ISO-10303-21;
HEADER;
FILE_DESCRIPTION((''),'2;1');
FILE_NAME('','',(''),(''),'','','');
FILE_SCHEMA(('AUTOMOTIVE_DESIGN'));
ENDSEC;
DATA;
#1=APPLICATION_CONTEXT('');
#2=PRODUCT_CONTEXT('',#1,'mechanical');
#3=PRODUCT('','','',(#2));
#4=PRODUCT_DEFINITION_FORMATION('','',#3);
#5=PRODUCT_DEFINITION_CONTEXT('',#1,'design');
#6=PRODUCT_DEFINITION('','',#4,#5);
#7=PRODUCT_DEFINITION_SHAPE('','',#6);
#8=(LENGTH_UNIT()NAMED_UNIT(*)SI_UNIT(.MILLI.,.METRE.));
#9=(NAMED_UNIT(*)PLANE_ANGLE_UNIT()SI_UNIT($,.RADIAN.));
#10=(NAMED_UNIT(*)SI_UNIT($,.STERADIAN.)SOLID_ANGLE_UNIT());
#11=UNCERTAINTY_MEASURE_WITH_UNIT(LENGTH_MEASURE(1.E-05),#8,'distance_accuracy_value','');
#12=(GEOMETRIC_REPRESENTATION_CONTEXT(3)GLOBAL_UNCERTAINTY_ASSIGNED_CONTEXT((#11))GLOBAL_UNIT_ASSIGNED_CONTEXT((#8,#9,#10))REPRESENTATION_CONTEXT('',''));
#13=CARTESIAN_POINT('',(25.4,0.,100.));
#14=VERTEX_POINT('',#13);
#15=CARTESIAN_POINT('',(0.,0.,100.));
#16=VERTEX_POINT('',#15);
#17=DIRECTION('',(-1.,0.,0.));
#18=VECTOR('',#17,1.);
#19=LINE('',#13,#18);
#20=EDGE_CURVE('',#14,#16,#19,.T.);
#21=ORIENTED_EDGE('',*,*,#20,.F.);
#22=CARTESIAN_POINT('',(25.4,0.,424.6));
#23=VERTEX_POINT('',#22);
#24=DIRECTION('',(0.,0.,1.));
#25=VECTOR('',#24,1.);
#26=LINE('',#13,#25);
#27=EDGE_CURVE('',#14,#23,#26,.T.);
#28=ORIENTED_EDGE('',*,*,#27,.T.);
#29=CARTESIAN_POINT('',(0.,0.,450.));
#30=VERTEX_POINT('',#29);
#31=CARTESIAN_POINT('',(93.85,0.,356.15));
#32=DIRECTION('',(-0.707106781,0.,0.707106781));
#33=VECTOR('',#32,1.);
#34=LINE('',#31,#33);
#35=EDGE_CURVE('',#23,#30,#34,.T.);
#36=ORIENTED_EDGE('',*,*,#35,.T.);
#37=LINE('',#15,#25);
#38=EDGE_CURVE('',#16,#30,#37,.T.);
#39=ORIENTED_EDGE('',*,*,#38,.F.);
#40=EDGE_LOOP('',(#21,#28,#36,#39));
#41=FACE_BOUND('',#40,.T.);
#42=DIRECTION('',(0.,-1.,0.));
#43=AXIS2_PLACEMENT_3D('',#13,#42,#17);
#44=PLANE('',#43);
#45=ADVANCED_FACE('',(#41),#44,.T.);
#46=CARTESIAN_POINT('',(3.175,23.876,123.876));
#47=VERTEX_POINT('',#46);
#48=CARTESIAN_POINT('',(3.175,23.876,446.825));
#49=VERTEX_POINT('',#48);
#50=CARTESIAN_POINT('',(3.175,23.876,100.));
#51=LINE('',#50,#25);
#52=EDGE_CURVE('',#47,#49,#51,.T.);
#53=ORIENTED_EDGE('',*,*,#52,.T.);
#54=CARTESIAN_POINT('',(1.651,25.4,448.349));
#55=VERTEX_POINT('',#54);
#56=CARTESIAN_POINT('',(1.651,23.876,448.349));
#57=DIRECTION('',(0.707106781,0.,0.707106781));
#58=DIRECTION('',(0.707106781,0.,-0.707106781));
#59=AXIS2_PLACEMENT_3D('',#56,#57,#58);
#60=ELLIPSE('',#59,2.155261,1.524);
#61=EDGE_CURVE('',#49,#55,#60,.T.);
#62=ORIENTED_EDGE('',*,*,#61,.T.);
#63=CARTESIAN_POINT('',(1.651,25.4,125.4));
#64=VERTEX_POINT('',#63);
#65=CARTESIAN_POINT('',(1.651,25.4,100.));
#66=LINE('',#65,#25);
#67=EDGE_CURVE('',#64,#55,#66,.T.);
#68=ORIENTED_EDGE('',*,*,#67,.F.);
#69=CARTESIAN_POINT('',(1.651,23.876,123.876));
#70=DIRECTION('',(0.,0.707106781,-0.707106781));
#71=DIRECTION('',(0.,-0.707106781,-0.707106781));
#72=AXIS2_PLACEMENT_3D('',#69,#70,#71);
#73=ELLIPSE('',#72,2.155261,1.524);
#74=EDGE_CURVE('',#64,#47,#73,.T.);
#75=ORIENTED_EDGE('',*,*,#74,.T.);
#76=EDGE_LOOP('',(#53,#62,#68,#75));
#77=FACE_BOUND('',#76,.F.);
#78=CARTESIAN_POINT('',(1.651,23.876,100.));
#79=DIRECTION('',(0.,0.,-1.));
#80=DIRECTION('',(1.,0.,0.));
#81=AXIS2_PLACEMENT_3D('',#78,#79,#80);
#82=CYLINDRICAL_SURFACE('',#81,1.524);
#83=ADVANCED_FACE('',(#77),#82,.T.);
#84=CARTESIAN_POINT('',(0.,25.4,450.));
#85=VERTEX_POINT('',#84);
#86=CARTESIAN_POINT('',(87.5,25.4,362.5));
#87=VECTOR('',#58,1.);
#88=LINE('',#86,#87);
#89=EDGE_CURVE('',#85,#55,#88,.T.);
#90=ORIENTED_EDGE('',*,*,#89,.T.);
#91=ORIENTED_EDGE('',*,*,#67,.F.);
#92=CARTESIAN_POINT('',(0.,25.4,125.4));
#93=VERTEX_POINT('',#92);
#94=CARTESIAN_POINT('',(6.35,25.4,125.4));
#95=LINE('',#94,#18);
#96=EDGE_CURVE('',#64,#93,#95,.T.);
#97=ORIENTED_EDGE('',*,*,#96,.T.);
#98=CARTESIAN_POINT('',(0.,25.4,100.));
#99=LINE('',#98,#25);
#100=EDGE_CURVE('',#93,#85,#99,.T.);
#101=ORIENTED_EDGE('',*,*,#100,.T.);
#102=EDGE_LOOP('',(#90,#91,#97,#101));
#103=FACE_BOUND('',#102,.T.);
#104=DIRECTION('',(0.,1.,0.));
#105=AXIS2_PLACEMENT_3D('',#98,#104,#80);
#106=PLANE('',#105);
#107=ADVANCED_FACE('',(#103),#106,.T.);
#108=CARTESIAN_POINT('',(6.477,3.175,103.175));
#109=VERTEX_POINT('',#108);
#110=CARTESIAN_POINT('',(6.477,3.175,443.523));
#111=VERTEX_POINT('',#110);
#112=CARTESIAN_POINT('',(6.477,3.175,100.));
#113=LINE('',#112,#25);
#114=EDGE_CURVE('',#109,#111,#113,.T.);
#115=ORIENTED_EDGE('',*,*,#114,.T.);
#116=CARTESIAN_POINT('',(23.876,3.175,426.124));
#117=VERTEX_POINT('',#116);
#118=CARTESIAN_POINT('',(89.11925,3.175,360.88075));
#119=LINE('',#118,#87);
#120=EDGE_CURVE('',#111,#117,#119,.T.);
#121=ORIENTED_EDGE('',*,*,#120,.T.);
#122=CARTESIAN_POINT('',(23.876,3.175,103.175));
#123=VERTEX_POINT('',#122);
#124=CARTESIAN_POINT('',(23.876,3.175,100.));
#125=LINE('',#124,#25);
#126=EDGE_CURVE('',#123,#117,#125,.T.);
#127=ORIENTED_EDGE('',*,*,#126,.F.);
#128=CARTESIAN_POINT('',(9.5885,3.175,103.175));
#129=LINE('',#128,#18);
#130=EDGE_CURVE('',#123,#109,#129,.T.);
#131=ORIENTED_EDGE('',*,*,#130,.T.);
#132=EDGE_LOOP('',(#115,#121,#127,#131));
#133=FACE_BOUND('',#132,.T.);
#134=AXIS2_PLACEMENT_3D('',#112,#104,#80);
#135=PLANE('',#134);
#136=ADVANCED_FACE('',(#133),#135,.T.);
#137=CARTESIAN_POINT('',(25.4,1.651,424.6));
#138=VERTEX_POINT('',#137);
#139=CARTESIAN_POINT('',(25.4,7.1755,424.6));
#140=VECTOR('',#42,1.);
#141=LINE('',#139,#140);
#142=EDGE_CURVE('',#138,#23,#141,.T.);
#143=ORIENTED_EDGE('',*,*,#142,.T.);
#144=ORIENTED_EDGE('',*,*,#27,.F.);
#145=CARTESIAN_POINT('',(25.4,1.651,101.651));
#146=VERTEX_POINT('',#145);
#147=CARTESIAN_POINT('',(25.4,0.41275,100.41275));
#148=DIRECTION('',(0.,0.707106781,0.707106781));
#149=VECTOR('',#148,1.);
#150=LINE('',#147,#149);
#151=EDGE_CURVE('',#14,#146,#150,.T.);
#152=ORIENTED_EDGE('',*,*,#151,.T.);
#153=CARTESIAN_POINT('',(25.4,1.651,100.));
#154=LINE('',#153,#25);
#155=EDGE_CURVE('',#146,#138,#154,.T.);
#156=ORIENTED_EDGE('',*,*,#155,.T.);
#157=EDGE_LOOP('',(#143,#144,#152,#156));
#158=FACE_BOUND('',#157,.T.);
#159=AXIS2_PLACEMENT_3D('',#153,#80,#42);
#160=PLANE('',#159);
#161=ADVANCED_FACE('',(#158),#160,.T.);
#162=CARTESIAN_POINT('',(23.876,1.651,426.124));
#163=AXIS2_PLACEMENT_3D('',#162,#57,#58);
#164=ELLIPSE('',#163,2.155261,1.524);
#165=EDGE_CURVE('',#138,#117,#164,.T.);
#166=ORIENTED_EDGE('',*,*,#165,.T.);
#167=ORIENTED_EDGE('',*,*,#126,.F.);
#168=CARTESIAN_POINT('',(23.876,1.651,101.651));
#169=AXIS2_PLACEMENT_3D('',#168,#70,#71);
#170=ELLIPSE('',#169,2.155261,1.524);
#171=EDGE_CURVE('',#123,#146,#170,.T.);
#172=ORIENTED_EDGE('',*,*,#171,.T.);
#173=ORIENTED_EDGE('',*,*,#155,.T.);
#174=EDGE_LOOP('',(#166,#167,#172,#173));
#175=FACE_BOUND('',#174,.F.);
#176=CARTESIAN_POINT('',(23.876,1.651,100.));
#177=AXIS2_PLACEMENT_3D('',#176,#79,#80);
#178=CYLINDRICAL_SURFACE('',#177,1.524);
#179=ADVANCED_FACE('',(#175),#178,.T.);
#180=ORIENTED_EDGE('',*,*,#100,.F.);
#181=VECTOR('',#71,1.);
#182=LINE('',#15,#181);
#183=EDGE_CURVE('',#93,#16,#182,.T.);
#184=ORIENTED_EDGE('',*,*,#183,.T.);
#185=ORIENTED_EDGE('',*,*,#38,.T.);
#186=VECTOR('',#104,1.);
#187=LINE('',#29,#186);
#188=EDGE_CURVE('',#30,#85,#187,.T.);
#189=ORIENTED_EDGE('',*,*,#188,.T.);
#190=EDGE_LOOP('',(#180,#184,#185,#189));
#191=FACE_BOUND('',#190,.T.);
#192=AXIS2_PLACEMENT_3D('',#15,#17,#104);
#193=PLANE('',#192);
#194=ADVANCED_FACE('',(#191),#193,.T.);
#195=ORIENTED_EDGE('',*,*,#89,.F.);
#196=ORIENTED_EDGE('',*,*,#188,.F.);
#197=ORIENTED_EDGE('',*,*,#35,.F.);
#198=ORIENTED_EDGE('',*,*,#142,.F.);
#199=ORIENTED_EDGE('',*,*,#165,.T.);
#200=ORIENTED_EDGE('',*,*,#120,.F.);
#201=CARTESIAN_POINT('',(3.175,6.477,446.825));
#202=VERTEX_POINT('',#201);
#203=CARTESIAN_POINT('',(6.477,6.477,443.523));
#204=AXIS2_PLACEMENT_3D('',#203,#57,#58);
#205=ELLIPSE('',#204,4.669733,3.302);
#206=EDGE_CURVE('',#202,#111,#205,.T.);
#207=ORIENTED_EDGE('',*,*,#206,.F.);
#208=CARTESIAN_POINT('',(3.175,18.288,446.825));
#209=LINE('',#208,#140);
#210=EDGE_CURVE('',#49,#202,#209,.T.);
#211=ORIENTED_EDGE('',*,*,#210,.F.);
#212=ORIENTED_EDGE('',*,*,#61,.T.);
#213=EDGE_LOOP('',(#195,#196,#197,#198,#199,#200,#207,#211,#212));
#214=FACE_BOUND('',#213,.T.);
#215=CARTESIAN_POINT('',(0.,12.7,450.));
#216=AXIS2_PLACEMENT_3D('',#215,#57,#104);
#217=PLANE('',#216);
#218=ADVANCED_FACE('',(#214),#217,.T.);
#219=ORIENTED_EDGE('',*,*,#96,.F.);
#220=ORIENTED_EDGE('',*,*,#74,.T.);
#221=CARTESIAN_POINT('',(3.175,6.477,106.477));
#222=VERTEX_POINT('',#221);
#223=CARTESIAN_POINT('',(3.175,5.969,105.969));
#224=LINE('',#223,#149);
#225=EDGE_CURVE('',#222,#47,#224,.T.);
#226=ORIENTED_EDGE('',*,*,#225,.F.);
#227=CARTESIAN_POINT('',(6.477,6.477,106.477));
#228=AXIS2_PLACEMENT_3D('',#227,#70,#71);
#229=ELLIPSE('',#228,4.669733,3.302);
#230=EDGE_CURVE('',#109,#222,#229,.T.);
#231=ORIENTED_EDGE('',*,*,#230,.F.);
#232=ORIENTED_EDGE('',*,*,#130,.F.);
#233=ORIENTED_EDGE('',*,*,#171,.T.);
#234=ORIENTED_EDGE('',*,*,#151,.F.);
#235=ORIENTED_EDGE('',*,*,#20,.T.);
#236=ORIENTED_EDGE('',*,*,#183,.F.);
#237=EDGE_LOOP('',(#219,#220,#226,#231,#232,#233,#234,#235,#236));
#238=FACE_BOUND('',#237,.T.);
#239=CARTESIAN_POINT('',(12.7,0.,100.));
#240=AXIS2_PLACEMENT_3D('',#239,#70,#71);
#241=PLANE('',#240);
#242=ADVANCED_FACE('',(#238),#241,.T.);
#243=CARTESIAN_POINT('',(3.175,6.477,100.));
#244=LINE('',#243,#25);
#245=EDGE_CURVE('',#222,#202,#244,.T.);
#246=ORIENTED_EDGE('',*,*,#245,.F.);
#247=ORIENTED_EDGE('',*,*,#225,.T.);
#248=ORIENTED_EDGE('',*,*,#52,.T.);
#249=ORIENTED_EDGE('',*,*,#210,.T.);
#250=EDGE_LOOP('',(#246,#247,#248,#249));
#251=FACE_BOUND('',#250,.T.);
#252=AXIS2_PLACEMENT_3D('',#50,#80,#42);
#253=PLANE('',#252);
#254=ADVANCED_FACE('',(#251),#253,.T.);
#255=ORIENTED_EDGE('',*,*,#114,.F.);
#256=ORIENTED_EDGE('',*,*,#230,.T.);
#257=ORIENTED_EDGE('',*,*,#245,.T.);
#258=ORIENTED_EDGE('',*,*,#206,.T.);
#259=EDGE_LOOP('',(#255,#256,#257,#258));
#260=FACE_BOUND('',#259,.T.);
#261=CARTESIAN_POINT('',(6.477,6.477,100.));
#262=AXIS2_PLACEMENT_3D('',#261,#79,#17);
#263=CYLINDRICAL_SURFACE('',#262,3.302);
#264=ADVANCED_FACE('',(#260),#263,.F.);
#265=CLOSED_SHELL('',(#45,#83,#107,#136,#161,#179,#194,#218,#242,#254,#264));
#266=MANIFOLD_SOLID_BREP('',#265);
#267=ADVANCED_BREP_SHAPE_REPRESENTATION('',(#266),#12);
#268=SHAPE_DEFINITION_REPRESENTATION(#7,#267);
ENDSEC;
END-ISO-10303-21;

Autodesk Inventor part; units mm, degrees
ref_plane "Start Plane" through (0, 0, 100) normal (0, 0, 1) x (1, 0, 0)
ref_plane "End Plane" through (0, 0, 450) normal (0, 0, 1) x (1, 0, 0)
sketch "Sketch" plane through (0, 0, 0) normal (0, 0, 1) x (1, 0, 0)
  line L0 (25.4, 0) -> (0, 0)
  line L1 (0, 0) -> (0, 25.4)
  line L2 (0, 25.4) -> (1.651, 25.4)
  line L3 (3.175, 23.876) -> (3.175, 6.477)
  line L4 (6.477, 3.175) -> (23.876, 3.175)
  line L5 (25.4, 1.651) -> (25.4, 0)
  line L6 (0, -11.0414) -> (0, 31.5385) construction
  line L7 (-11.0414, 0) -> (31.5385, 0) construction
  arc A0 (3.175, 6.477) -> (6.477, 3.175) centre (6.477, 6.477) ccw
  arc A1 (3.175, 23.876) -> (1.651, 25.4) centre (1.651, 23.876) ccw
  arc A2 (25.4, 1.651) -> (23.876, 3.175) centre (23.876, 1.651) ccw
  line L8 (0, 40.0545) -> (0, -19.5574) construction
  line L9 (-19.5574, 0) -> (40.0545, 0) construction
  point P0 (3.175, 25.4)
  point P1 (3.175, 3.175)
  point P2 (25.4, 3.175)
  dimension "d0" = 25.4
  dimension "d1" = 25.4
  dimension "d2" = 3.175
  dimension "d3" = 3.175
  dimension "d10" = 0
  dimension "d11" = 0
  dimension "d14" = 3.302
  dimension "d15" = 1.524
extrude "Body" add sketch "Sketch" along normal up to surface (350 mm away) from surface at 100
sketch "Sketch3" plane through (0, 0, 0) normal (0, 0, 1) x (1, 0, 0)
  line L0 (0, 0) -> (10, 0)
ref_plane "Work Plane3" through (0, 0, 0) normal (0, -1, 0) x (1, 0, 0)
ref_plane "Work Plane4" through (12.7, 0, 100) normal (0, 0.7071, -0.7071) x (1, 0, 0)
split "Split1" plane through (12.7, 0, 100) removes the side toward (0, 0.7071, -0.7071)
ref_plane "Work Plane5" through (0, 12.7, 450) normal (0.7071, 0, 0.7071) x (0.7071, 0, -0.7071)
split "Split2" plane through (0, 12.7, 450) removes the side toward (0.7071, 0, 0.7071)
sketch "Sketch4" plane through (0, 0, 0) normal (0, -1, 0) x (1, 0, 0)
  line L0 (-2, 100) -> (12, 100) projected
  line L1 (-2, 450) -> (12, 450) projected
  dimension "d17" = 350
equation "\"d0\" = G_H"
equation "\"d1\" = G_H"
equation "\"d2\" = G_T"
equation "\"d3\" = G_T"
equation "\"d14\" = G_IR"
equation "\"d15\" = G_ER"
equation "\"d4\" = G_L"
equation "\"G_H\" = 25.4"
equation "\"G_T\" = 3.175"
equation "\"G_ER\" = 1.524"
equation "\"G_IR\" = 3.302"
equation "\"G_L\" = d17"
equation "\"ex\" = 0"
equation "\"G_OFFSET_START\" = -100"
equation "\"G_OFFSET_END\" = 0"
equation "\"d12\" = -G_OFFSET_START"
equation "\"d13\" = G_OFFSET_END + B_L"
equation "\"B_L\" = 450"
properties part number "AISC - L 1 x 1 x 1/8 - 13.78" material "Steel, Mild"
